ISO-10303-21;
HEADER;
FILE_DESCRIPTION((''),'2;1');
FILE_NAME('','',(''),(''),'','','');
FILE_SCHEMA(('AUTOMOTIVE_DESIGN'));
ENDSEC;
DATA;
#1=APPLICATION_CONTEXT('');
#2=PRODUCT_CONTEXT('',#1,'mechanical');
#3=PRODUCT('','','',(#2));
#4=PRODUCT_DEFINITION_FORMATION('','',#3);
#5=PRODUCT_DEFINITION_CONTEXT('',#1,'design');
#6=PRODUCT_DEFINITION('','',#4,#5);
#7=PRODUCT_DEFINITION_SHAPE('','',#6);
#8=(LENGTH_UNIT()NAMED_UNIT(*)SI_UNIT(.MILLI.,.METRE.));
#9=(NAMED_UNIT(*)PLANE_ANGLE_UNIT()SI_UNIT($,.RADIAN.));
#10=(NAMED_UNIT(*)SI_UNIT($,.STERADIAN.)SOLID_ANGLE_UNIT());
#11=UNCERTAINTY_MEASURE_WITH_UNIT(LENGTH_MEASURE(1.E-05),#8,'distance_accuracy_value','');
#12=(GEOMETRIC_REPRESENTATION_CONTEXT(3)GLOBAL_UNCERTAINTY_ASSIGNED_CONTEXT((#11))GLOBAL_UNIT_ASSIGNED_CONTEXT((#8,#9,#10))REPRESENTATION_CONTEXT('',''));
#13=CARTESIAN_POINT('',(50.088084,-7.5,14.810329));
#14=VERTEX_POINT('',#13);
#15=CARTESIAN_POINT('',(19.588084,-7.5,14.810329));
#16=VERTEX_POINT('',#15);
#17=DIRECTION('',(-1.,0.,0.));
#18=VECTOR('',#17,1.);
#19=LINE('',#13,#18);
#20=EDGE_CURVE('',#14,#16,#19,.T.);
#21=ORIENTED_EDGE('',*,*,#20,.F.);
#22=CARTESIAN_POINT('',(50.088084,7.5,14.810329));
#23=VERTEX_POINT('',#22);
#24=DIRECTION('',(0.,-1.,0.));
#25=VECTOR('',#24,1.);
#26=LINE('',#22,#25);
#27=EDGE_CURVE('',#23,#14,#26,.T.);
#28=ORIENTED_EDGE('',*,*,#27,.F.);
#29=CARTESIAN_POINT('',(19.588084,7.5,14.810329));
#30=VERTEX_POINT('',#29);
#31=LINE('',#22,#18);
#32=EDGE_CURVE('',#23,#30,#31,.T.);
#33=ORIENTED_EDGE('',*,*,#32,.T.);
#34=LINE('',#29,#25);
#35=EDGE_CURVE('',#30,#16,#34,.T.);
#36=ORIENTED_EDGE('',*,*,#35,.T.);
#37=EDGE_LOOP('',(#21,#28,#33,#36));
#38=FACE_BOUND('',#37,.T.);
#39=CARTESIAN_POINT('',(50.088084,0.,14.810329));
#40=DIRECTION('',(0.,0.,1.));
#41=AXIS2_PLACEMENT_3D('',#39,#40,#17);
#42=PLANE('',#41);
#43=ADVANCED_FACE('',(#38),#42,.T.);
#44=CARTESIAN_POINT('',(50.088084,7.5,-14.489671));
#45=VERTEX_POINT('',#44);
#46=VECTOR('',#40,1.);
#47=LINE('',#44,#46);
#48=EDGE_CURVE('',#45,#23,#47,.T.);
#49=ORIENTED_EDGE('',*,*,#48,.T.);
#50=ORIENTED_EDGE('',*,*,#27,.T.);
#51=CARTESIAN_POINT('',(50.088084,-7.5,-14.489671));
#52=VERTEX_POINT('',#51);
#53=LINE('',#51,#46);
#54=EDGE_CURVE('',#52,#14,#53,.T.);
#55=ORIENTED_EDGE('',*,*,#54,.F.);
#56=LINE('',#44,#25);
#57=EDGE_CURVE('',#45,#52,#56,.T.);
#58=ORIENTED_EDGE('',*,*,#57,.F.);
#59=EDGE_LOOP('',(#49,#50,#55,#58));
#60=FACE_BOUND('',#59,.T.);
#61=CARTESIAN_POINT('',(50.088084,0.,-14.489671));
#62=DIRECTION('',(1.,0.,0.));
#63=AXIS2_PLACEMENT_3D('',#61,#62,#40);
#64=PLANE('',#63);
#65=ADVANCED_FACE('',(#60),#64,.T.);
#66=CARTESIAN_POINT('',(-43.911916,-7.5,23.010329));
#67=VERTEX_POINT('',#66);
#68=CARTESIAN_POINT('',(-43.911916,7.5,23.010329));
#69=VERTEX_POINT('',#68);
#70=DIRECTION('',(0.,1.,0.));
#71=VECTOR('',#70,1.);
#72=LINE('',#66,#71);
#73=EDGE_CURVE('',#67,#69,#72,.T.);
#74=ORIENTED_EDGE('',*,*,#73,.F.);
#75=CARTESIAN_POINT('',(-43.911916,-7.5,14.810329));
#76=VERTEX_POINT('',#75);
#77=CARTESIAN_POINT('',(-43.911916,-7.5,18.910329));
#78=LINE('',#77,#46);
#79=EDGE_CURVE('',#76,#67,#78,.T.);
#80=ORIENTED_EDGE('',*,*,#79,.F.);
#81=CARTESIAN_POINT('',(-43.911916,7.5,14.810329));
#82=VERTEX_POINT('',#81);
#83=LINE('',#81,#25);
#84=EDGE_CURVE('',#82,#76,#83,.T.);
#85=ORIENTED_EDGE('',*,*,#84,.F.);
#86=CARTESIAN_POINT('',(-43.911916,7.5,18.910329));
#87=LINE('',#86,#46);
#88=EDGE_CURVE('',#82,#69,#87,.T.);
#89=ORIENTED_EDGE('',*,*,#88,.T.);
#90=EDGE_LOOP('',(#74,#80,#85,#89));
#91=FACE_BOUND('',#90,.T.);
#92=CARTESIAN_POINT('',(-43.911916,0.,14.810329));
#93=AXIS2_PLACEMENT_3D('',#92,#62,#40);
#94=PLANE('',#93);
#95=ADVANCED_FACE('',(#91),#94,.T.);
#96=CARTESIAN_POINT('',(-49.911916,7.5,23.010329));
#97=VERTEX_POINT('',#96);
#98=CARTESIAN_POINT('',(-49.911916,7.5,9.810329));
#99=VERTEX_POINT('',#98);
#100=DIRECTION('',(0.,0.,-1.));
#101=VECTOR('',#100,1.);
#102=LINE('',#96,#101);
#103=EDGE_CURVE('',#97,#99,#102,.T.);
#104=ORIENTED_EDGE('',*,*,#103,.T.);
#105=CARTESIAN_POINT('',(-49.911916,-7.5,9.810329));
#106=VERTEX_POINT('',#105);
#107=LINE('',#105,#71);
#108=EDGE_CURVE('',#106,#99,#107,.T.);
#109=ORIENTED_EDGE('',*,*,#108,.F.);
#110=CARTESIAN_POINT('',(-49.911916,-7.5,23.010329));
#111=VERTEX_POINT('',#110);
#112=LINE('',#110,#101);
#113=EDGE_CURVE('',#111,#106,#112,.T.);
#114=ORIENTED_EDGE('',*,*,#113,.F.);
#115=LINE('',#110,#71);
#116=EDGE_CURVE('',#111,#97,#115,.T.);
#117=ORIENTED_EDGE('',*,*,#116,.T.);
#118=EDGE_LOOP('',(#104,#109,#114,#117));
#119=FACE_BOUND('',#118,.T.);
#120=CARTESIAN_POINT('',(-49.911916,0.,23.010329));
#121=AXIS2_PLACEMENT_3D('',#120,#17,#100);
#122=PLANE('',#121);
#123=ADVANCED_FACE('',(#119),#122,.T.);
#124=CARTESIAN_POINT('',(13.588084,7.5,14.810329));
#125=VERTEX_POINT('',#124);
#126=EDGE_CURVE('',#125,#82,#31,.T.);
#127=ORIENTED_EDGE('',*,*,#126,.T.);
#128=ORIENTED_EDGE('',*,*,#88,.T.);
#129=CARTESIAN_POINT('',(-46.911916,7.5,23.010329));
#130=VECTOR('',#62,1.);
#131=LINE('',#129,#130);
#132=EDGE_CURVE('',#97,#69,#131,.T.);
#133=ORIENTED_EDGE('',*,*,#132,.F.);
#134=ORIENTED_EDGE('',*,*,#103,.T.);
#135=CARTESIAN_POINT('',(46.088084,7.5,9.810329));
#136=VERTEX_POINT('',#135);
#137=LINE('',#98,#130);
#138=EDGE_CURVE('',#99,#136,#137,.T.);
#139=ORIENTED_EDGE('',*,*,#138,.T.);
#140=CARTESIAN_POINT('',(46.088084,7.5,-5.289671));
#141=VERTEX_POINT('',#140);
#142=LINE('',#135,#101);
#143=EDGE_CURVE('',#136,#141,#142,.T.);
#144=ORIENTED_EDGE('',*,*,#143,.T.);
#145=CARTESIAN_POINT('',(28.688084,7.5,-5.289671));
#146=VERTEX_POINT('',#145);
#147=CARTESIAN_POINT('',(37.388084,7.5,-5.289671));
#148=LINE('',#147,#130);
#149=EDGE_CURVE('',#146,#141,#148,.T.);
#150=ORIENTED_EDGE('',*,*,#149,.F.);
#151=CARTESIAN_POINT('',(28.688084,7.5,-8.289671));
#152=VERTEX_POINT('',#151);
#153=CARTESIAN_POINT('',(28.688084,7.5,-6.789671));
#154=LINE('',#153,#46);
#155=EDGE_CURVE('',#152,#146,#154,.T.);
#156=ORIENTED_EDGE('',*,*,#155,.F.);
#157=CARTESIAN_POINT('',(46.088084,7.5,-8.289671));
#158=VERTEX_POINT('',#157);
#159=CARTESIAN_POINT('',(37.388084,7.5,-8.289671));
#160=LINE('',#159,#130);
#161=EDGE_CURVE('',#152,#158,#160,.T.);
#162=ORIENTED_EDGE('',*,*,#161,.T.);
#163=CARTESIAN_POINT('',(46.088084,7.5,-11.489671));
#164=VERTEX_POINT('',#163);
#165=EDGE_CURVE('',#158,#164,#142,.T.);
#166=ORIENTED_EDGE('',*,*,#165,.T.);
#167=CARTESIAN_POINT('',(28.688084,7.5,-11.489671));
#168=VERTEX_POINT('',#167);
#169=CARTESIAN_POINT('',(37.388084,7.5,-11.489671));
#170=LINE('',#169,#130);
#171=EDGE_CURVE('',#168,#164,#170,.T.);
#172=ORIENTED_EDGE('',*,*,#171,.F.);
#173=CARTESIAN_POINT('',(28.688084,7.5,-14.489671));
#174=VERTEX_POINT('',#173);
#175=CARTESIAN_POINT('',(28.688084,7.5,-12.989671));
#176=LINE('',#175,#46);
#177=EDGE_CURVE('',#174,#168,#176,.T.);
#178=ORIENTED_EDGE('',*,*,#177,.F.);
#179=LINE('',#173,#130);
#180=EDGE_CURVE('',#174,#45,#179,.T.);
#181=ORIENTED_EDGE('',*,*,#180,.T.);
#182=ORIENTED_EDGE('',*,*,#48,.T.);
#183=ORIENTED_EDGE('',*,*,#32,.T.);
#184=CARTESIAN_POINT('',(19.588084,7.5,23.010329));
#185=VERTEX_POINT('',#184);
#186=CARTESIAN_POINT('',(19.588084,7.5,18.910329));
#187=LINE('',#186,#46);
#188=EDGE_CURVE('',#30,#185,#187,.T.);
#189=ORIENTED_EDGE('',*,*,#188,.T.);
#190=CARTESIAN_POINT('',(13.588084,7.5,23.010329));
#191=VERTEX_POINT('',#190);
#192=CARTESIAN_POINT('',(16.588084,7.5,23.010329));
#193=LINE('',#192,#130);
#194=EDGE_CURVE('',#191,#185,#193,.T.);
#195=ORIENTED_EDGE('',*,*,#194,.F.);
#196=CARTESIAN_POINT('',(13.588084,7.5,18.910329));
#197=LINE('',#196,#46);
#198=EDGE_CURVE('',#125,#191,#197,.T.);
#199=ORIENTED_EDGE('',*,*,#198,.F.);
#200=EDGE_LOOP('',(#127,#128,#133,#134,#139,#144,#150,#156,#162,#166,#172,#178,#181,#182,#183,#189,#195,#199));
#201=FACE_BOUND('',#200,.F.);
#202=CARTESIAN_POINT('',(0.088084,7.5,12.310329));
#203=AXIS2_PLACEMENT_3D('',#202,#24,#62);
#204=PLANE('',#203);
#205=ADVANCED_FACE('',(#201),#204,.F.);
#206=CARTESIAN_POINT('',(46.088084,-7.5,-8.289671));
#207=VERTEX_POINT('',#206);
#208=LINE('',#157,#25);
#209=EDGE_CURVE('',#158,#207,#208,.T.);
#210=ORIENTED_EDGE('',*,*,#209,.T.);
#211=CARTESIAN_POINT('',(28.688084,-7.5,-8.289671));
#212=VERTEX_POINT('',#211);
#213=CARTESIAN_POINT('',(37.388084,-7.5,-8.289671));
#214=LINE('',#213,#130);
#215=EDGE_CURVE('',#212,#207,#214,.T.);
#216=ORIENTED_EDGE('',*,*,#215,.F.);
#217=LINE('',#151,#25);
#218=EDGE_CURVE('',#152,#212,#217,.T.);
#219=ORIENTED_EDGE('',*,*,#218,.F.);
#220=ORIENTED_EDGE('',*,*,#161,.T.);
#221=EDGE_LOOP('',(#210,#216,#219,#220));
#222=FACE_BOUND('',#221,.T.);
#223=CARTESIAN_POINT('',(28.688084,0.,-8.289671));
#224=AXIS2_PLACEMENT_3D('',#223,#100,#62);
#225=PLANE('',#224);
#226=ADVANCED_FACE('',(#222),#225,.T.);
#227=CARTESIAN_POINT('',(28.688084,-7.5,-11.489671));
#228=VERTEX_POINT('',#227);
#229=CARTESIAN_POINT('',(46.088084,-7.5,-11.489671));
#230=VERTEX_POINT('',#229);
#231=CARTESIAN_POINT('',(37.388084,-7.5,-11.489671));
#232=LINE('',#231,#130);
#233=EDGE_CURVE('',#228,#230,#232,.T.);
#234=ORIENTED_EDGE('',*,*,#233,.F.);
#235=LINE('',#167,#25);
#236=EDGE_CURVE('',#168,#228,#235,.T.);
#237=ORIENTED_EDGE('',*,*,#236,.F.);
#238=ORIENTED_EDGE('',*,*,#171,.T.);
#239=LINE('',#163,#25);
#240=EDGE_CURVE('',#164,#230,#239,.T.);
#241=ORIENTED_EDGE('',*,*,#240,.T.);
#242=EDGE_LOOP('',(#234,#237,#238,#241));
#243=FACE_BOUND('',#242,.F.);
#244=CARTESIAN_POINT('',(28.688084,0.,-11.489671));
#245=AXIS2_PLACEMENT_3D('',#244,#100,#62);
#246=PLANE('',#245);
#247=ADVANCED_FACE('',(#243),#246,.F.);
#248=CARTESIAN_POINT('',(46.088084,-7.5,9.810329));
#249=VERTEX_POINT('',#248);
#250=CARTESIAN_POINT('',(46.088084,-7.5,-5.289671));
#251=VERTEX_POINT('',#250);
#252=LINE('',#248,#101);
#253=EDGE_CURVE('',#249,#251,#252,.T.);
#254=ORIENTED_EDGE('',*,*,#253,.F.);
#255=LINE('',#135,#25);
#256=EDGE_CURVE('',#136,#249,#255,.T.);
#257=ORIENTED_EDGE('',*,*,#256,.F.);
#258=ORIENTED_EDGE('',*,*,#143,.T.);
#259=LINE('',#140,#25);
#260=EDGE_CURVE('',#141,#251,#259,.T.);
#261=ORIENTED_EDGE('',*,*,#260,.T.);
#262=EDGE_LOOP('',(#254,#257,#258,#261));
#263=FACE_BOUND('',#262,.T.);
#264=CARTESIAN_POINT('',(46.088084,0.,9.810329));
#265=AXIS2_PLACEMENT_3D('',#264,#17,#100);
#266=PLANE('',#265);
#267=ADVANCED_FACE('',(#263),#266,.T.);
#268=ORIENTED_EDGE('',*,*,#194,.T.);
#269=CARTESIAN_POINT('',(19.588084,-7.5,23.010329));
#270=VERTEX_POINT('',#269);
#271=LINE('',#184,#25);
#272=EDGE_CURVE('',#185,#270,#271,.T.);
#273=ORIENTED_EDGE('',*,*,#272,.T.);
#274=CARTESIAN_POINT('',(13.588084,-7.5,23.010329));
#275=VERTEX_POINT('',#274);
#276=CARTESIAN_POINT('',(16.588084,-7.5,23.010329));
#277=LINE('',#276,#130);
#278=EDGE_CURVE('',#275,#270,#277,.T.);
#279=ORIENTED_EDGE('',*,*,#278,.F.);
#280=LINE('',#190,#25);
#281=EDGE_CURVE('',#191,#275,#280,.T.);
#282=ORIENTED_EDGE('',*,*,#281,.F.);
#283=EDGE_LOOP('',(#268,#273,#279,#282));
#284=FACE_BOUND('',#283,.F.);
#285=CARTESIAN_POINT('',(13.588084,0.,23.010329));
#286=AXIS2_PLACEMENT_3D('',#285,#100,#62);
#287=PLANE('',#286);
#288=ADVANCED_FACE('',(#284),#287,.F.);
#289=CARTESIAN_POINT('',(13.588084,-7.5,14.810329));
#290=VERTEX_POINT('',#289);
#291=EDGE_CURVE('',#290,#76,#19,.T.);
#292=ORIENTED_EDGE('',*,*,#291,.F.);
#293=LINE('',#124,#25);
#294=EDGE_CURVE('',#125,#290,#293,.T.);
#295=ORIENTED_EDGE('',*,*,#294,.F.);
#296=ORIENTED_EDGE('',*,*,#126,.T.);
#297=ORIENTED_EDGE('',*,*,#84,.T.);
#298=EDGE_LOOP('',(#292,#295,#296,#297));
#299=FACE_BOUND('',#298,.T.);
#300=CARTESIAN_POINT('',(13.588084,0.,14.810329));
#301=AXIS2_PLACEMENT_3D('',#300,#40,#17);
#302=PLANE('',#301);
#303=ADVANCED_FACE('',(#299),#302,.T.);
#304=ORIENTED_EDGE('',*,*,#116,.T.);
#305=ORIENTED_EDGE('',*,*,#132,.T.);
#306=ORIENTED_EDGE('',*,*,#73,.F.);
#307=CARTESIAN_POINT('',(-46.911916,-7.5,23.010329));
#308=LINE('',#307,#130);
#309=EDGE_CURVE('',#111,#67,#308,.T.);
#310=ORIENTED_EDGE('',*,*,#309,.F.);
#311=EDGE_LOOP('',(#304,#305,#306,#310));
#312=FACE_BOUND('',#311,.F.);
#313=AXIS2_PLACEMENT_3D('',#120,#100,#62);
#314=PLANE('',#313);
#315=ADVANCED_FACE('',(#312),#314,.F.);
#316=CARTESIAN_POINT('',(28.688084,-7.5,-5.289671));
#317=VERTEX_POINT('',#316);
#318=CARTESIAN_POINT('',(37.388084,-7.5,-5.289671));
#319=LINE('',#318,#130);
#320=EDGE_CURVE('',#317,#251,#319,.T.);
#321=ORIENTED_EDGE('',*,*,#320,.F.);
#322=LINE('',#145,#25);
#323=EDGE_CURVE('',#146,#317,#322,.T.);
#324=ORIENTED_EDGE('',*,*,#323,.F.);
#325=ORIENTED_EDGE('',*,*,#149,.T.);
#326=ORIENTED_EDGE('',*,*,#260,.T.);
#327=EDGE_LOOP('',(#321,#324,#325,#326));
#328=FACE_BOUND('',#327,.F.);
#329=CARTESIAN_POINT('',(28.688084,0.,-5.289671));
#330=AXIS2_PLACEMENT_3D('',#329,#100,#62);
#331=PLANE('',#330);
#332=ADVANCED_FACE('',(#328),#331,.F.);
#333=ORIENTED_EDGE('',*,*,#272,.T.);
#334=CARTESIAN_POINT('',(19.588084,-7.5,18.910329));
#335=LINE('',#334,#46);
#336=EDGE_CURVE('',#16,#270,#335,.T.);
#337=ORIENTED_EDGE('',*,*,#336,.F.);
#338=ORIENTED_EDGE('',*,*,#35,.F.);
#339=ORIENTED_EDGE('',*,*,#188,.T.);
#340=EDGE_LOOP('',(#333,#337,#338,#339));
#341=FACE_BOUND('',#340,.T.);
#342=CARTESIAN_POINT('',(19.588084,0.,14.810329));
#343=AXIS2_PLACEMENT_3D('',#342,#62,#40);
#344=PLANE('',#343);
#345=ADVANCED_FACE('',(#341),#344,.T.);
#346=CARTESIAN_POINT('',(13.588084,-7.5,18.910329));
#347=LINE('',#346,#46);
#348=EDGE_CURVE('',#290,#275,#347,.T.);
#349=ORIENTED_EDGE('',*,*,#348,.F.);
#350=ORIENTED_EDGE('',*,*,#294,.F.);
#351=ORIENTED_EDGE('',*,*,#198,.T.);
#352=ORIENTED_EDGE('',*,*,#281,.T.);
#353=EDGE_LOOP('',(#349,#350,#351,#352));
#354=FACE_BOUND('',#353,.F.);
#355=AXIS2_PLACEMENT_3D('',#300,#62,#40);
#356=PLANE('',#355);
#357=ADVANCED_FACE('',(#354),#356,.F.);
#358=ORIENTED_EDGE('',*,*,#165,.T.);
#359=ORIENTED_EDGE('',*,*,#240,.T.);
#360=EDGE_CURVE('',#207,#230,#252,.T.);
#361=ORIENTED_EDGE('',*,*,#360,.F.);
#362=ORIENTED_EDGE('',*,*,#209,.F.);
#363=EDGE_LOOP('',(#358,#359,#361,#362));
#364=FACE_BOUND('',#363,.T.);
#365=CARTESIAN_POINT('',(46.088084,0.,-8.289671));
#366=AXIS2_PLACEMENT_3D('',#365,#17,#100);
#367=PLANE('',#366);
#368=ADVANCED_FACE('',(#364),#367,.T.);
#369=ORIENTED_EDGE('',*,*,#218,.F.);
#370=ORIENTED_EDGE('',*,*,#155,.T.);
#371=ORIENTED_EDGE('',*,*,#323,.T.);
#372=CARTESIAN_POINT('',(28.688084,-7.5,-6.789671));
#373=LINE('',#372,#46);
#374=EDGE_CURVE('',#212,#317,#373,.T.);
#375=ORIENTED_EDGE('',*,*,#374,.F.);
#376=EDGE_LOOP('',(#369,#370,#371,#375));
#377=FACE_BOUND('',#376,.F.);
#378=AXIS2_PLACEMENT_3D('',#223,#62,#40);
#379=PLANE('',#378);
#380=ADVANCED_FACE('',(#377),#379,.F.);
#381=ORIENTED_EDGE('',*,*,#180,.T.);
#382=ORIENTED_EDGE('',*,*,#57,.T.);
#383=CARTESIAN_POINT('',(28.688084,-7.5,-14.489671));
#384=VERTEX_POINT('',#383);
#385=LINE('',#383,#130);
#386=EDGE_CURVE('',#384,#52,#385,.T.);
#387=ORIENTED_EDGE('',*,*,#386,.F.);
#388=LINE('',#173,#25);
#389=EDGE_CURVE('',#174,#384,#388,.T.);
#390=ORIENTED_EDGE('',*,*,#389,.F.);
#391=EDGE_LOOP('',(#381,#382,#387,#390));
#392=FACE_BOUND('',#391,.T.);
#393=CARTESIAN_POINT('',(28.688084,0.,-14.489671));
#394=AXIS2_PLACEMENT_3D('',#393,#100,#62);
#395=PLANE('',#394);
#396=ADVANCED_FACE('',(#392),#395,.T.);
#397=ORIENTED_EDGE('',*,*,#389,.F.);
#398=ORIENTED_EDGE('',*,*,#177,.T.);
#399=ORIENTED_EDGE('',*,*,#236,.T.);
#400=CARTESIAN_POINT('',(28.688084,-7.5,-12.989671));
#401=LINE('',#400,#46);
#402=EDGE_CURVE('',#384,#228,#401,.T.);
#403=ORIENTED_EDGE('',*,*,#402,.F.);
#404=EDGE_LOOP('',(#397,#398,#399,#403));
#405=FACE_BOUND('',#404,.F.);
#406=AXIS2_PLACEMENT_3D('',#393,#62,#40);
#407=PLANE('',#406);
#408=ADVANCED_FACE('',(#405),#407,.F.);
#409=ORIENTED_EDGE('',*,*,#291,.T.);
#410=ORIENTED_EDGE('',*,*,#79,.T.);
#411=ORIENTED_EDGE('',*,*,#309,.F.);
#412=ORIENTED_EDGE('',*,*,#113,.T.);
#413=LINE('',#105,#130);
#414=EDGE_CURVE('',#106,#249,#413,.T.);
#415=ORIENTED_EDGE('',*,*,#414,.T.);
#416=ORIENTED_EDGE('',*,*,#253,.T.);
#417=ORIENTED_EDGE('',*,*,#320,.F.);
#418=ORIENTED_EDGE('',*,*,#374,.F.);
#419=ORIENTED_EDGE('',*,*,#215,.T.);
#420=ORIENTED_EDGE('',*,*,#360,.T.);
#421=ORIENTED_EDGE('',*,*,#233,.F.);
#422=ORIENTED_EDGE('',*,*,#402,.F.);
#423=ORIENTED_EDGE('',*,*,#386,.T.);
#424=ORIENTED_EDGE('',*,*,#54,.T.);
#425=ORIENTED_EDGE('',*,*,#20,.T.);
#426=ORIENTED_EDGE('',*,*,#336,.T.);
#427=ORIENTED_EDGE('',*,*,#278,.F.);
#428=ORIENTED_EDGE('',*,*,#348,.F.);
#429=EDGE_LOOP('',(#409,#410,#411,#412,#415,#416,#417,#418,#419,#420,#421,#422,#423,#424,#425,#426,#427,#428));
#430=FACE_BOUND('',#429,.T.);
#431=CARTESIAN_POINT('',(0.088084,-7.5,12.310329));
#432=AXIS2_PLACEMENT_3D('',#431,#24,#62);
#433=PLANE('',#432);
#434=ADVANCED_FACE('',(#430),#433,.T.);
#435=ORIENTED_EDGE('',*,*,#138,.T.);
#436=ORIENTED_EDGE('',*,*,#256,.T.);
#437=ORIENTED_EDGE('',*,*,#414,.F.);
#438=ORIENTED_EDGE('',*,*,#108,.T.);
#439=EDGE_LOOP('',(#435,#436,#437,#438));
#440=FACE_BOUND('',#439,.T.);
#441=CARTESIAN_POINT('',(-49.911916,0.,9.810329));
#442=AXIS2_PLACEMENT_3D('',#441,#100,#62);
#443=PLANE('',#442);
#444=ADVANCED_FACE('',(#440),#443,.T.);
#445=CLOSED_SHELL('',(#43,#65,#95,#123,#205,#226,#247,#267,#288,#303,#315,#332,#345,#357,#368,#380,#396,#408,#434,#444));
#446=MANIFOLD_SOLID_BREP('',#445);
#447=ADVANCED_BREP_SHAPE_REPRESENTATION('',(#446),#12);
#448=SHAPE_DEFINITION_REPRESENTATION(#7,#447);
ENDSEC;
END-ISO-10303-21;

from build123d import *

# Parameters (mm, degrees)
F0_W     = 6
F0_H     = 8.2
F0_W_2   = 17.4
F0_H_2   = 3
F1_DEPTH = 7.5


with BuildPart() as f1:
    # F0 (on Front) → F1 (new body, symmetric)
    with BuildSketch(Plane.XZ):
        Polygon((-49.911916, 14.810329), (-49.911916, 9.810329), (46.088084, 9.810329), (50.088084, 9.810329), (50.088084, 14.810329), (19.588084, 14.810329), (13.588084, 14.810329), (-43.911916, 14.810329), align=None)
        with Locations((16.588084, 18.910329)):
            Rectangle(F0_W, F0_H)
        with Locations((-46.911916, 18.910329)):
            Rectangle(F0_W, F0_H)
        Polygon((50.088084, 9.810329), (46.088084, 9.810329), (46.088084, -5.289671), (46.088084, -8.289671), (46.088084, -11.489671), (46.088084, -14.489671), (50.088084, -14.489671), align=None)
        with Locations((37.388084, -6.789671)):
            Rectangle(F0_W_2, F0_H_2)
        with Locations((37.388084, -12.989671)):
            Rectangle(F0_W_2, F0_H_2)
    extrude(amount=F1_DEPTH, both=True)


solid = f1.part
